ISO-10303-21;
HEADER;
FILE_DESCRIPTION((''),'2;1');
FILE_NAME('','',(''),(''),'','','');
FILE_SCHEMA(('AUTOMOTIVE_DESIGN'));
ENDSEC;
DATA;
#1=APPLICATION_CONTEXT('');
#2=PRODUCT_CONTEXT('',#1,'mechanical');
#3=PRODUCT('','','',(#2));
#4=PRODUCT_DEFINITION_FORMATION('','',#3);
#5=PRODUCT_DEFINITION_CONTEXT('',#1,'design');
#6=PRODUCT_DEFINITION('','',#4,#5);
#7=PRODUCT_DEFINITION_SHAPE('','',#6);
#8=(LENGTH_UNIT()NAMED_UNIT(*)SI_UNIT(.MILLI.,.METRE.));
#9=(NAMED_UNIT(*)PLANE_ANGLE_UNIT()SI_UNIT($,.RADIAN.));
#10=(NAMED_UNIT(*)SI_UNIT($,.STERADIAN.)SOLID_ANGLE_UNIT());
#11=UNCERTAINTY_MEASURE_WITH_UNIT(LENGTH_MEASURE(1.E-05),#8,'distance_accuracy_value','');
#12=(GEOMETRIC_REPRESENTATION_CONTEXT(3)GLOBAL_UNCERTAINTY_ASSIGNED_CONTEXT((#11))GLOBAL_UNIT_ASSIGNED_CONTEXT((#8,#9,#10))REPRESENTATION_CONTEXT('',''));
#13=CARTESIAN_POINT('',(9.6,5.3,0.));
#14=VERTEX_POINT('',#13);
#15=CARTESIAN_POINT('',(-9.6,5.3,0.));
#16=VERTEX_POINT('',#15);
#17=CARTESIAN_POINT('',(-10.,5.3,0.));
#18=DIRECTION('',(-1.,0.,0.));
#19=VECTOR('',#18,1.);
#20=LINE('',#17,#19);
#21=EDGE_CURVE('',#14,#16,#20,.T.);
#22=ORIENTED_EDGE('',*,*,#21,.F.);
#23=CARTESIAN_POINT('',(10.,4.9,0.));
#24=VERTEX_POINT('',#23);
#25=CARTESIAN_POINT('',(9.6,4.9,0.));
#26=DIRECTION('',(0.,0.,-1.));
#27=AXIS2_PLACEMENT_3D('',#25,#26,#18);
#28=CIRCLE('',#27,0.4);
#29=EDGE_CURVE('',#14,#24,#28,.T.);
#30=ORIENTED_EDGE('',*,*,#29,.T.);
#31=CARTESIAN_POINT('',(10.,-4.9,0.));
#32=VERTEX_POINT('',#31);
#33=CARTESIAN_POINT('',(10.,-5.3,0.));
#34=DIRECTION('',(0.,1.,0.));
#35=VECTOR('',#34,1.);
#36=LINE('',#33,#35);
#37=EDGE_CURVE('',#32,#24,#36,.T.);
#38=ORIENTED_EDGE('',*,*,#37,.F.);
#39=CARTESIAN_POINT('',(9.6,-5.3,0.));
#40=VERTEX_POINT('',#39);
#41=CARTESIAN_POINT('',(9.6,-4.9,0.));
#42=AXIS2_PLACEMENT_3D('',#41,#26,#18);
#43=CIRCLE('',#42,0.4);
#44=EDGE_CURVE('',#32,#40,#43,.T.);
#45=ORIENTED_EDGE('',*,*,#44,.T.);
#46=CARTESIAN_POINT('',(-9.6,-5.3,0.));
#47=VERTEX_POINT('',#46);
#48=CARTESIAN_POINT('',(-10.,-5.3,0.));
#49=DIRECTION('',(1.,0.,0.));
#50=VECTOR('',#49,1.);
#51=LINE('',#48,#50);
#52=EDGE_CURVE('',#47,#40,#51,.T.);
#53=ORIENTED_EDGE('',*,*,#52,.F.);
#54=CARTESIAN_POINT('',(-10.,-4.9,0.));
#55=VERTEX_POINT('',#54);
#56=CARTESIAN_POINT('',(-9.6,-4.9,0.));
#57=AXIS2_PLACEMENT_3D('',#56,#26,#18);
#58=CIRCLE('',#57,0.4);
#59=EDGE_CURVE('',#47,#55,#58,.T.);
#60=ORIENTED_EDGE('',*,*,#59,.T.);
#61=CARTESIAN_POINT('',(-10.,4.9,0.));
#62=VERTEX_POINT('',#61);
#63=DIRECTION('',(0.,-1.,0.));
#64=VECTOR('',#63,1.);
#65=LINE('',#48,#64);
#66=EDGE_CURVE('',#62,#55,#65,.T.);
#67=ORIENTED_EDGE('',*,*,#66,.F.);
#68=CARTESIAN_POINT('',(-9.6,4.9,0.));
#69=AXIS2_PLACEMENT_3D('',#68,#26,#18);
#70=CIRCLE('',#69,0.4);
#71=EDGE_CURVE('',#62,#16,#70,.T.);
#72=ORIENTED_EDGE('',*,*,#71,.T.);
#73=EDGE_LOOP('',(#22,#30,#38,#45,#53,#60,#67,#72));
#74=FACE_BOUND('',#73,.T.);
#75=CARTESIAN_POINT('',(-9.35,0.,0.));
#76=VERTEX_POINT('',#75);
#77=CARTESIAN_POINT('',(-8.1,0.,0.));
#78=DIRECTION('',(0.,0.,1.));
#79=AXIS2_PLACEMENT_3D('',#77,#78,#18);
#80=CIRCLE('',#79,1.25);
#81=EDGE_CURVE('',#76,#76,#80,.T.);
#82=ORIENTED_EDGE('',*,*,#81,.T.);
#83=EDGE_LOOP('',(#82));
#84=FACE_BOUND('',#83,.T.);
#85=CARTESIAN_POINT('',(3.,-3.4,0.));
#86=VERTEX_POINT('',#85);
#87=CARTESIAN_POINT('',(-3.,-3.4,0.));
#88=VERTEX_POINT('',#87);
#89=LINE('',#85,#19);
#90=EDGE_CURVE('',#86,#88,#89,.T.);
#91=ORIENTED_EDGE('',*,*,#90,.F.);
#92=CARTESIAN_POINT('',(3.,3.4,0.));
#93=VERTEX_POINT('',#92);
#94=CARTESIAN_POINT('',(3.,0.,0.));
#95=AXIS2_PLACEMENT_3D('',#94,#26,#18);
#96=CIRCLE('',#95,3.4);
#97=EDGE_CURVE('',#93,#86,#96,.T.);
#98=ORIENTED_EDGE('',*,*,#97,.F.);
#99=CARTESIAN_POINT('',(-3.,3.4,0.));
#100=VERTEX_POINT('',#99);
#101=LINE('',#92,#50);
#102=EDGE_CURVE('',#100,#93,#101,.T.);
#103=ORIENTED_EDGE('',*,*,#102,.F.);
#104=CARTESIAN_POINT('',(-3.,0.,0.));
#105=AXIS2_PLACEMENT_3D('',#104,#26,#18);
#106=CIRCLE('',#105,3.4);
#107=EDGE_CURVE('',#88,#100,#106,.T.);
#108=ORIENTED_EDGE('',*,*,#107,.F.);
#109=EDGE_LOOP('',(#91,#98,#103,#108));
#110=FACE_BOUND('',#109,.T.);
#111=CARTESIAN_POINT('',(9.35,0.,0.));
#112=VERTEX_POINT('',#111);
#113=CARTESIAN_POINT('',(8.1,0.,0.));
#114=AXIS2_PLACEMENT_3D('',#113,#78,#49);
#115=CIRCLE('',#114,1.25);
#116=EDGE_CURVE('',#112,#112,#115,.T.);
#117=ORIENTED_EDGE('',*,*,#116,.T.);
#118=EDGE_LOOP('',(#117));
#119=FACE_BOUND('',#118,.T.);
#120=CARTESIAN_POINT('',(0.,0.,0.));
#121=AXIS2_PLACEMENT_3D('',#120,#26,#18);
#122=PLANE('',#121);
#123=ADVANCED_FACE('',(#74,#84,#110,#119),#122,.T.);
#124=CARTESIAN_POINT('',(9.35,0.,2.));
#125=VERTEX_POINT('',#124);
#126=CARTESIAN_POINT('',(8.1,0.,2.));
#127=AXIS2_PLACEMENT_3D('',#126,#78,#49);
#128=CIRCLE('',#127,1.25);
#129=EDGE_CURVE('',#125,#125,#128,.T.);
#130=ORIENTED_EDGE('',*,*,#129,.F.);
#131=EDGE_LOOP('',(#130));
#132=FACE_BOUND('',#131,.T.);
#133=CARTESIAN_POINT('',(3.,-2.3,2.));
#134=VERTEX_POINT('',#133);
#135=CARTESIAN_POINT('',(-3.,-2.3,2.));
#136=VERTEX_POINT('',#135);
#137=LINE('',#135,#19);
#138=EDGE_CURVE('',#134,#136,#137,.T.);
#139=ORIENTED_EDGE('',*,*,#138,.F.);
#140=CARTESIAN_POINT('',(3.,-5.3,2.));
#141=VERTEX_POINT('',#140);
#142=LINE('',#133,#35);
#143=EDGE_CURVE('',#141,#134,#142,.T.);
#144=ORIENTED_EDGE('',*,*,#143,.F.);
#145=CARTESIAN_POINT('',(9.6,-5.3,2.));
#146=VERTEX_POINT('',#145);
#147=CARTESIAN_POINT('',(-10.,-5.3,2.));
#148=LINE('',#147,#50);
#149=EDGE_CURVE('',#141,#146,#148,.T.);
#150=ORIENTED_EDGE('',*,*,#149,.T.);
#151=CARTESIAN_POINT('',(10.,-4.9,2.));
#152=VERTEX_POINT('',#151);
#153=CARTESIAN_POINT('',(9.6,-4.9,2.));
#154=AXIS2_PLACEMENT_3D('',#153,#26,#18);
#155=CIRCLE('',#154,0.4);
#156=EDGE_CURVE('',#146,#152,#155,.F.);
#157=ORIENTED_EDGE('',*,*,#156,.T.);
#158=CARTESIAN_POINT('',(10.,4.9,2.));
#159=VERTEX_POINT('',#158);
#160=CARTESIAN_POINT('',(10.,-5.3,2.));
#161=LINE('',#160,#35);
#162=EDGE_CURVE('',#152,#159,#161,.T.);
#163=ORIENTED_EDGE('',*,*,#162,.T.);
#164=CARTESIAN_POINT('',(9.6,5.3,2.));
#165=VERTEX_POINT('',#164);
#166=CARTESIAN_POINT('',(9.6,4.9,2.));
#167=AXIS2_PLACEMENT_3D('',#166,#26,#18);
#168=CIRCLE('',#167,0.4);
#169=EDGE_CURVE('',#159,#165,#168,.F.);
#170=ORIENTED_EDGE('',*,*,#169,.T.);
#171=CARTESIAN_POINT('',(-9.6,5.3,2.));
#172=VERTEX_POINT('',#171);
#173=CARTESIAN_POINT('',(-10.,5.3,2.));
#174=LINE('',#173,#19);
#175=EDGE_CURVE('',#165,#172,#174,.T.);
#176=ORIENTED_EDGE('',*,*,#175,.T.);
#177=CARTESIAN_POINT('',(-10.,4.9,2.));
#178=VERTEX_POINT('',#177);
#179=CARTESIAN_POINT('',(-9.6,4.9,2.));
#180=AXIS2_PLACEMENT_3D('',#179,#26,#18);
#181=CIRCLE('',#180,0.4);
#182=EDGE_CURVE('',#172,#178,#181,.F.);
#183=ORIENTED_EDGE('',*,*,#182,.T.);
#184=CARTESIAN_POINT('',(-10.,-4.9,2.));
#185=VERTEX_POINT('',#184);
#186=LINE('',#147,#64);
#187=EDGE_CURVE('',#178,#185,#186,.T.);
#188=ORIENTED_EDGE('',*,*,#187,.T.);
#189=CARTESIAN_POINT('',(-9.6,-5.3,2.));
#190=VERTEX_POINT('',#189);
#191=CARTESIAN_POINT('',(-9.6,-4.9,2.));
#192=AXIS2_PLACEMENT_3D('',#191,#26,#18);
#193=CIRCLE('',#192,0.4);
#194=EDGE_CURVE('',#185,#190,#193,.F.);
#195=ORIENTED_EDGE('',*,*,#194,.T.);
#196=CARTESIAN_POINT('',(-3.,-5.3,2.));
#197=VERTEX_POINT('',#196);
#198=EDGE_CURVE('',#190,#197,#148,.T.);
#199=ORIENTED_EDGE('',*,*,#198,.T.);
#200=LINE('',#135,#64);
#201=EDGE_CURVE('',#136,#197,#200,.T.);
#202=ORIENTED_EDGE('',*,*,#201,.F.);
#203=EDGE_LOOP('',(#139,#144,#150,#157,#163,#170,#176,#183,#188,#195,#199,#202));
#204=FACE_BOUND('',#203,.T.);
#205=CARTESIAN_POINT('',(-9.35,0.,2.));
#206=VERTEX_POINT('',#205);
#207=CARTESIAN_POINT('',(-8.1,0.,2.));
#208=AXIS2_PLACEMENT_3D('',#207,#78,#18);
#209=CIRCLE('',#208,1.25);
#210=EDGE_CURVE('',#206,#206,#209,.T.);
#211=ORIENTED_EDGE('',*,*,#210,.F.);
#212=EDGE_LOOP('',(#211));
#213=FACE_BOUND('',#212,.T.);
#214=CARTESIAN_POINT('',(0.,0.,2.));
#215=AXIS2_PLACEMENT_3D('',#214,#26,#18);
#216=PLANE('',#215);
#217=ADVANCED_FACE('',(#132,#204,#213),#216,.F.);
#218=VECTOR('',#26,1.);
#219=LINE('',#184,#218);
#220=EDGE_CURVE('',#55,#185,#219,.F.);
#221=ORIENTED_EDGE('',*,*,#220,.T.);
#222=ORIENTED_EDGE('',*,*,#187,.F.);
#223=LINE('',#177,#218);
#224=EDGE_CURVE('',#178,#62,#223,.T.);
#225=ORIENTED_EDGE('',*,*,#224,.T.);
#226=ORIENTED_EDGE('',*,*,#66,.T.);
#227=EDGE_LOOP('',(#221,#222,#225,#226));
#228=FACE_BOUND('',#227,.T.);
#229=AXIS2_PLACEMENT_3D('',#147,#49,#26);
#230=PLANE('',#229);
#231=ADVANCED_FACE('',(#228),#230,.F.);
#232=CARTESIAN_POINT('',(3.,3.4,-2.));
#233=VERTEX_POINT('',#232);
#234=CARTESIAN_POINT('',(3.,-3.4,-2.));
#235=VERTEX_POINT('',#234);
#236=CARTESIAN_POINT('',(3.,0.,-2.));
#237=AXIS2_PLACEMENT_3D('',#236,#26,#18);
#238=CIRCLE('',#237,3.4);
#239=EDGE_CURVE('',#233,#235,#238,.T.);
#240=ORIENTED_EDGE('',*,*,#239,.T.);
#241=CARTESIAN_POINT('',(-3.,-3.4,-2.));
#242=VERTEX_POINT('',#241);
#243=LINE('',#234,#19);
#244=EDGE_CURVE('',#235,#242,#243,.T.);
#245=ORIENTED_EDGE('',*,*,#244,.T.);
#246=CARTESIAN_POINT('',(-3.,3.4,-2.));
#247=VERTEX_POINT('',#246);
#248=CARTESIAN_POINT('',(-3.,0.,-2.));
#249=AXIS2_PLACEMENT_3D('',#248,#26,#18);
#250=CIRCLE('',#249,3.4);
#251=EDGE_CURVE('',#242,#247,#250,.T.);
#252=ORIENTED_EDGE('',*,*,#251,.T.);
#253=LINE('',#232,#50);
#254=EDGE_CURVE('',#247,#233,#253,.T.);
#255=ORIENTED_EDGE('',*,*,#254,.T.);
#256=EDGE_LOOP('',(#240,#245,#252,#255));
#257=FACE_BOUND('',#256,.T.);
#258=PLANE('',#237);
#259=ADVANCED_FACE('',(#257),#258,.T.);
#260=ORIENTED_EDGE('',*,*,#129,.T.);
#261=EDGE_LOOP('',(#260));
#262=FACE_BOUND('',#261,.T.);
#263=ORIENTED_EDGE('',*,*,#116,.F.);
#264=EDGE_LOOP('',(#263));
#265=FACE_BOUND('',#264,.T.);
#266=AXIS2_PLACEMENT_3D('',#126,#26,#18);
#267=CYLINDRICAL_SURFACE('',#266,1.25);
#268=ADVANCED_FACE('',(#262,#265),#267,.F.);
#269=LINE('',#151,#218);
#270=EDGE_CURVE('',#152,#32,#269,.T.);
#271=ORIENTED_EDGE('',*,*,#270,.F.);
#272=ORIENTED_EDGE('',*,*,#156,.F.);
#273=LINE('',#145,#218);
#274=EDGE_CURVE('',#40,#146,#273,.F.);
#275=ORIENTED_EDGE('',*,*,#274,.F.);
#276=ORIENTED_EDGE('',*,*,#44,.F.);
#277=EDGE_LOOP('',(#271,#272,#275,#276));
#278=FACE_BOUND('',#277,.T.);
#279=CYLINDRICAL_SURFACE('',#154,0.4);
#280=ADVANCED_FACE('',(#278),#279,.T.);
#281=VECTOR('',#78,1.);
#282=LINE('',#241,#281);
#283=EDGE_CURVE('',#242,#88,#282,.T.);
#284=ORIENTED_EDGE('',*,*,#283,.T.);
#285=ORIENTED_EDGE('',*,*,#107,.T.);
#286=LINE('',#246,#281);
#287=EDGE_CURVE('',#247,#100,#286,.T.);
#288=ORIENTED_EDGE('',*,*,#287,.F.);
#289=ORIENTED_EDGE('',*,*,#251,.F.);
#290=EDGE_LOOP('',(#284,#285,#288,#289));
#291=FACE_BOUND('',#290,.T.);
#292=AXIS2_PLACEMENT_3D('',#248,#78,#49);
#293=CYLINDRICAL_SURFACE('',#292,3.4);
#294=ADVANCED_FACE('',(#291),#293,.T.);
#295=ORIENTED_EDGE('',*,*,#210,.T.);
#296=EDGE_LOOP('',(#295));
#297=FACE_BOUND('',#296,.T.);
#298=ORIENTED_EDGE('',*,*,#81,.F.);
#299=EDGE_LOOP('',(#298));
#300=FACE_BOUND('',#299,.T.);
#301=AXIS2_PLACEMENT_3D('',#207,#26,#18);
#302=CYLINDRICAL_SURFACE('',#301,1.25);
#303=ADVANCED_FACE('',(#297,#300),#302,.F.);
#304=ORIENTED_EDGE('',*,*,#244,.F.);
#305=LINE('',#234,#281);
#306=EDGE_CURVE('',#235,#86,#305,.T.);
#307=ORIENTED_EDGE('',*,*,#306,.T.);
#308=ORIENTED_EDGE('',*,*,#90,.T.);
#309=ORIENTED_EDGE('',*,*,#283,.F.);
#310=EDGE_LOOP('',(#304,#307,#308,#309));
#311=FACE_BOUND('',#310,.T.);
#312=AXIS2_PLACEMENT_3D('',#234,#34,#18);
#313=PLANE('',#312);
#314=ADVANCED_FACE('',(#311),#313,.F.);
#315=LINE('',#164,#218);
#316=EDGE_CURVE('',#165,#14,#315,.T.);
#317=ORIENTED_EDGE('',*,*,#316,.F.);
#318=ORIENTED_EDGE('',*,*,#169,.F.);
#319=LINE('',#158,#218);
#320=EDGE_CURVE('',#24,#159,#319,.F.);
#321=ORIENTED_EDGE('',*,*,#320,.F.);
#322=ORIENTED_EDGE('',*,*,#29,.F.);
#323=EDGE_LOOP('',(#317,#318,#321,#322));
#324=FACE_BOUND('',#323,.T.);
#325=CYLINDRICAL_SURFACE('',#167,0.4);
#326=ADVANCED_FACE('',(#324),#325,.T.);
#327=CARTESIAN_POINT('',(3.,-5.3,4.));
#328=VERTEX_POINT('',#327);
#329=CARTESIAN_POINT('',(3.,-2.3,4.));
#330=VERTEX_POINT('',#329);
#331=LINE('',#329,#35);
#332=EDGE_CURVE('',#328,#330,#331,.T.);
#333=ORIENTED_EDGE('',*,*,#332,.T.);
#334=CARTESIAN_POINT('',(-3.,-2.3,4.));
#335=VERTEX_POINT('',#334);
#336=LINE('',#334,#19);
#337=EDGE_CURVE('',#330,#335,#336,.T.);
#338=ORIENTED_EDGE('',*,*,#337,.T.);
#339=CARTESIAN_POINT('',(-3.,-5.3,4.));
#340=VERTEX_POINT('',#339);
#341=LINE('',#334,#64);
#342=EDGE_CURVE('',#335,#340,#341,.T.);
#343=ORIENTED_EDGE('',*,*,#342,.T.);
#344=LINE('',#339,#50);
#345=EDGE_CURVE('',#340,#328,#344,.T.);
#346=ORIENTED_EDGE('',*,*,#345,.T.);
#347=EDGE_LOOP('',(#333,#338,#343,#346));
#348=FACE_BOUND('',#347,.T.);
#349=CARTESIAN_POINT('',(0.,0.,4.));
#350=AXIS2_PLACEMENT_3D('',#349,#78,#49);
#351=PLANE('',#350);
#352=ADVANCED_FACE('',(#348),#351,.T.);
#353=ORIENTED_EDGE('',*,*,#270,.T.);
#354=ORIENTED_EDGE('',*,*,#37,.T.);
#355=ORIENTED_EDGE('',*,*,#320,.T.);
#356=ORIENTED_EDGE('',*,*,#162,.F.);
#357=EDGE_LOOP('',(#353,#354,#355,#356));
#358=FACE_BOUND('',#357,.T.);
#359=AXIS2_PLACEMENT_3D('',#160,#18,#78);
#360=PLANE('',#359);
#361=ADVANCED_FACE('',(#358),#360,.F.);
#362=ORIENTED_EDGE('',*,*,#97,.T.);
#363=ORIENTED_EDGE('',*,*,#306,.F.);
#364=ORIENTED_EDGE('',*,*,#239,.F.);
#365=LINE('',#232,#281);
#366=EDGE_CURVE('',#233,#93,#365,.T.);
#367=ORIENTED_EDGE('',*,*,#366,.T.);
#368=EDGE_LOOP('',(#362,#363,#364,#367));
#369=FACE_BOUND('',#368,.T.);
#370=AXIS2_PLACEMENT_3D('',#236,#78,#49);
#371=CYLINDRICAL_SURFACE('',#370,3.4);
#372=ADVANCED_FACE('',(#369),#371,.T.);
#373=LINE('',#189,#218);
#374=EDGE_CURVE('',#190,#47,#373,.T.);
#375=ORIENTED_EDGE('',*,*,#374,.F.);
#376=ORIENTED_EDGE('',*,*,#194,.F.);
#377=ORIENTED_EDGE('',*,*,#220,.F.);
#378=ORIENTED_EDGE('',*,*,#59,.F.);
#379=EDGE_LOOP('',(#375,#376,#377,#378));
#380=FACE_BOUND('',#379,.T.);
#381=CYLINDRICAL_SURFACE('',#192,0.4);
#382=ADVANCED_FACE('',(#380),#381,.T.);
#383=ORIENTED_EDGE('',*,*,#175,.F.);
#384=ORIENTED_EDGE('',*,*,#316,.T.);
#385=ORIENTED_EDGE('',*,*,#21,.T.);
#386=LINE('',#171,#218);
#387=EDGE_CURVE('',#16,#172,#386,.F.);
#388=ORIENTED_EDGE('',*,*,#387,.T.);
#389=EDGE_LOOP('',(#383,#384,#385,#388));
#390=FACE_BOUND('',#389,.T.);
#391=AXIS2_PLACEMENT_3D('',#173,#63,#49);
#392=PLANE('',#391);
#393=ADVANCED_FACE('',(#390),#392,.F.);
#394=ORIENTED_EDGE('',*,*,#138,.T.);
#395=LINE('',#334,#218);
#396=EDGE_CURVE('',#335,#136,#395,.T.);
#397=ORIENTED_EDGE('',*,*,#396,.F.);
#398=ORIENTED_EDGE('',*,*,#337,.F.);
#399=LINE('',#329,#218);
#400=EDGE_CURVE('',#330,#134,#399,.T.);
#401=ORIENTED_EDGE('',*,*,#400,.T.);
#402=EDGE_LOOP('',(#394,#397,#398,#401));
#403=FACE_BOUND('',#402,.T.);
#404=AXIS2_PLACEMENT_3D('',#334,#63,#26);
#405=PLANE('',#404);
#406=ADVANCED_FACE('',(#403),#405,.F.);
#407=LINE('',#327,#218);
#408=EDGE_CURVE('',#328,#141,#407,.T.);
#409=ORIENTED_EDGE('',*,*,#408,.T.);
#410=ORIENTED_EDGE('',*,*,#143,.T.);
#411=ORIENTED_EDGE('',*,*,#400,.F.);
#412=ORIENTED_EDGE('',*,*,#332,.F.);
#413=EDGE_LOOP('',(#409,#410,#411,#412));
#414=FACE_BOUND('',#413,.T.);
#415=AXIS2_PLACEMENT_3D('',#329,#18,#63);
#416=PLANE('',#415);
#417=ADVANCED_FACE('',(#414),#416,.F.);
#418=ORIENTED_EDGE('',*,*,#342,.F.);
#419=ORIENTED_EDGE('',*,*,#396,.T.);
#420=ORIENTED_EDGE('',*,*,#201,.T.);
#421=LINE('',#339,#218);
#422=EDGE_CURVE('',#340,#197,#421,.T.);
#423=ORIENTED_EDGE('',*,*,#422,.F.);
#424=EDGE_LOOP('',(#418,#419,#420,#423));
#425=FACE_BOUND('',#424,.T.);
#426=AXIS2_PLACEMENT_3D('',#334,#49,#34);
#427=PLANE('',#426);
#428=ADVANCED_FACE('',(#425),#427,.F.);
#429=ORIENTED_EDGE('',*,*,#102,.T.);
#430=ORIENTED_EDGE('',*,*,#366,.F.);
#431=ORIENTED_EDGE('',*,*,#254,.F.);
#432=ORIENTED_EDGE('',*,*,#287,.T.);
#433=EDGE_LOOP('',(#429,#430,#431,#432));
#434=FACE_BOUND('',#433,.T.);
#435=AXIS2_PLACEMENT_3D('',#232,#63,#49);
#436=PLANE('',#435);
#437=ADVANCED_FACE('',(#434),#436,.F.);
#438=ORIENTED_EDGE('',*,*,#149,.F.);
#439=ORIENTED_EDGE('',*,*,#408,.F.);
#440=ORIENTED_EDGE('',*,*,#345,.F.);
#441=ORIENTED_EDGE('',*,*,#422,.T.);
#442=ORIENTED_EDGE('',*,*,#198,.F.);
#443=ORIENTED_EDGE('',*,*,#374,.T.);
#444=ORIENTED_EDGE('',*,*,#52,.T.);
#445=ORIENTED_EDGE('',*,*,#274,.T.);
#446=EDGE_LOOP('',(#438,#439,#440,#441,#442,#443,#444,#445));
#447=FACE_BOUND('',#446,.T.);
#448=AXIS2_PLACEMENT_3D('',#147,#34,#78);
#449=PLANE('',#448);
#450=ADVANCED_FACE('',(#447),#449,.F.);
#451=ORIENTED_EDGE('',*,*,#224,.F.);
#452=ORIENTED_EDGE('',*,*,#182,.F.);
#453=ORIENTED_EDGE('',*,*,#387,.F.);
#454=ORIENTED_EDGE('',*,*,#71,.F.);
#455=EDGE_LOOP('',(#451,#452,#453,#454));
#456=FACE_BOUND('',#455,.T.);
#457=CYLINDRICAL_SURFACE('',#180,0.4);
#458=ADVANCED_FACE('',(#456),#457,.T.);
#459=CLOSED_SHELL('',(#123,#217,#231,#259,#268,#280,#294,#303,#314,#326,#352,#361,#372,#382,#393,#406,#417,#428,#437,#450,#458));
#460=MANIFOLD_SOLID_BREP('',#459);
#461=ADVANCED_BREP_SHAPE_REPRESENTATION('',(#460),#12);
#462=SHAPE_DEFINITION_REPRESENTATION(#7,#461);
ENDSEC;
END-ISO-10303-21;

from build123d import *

# Parameters (mm, degrees)
SKETCH_1_W      = 20
SKETCH_1_H      = 10.6
SKETCH_1_R      = 1.25
EXTRUDE_1_DEPTH = 2
EXTRUDE_2_DEPTH = 2
SKETCH_3_W      = 6
SKETCH_3_H      = 3
EXTRUDE_3_DEPTH = 2
FILLET_1_R      = 0.4


with BuildPart() as part:
    # 草图1 → 凸台-拉伸1 (new body)
    with BuildSketch(Plane.XY):
        Rectangle(SKETCH_1_W, SKETCH_1_H)
        with Locations((8.1, 0)):
            Circle(SKETCH_1_R, mode=Mode.SUBTRACT)
        with Locations(Location((-8.1, 0, 0), (0, 0, 180))):
            Circle(SKETCH_1_R, mode=Mode.SUBTRACT)
    extrude(amount=EXTRUDE_1_DEPTH)

    # 草图2 → 凸台-拉伸2 (add)
    with BuildSketch(Plane(origin=(0, 0, 0), x_dir=(-1, 0, 0), z_dir=(0, 0, -1))):
        with BuildLine():
            Line((-3, 3.4), (3, 3.4))
            ThreePointArc((3, 3.4), (6.4, 0), (3, -3.4))
            Line((3, -3.4), (-3, -3.4))
            ThreePointArc((-3, -3.4), (-6.4, 0), (-3, 3.4))
        make_face()
    extrude(amount=EXTRUDE_2_DEPTH)

    # 草图3 → 凸台-拉伸3 (add)
    with BuildSketch(Plane.XY.offset(2)):
        with Locations((0, -3.8)):
            Rectangle(SKETCH_3_W, SKETCH_3_H)
    extrude(amount=EXTRUDE_3_DEPTH)

    # 圆角1
    fillet_1_edges = [part.edges().sort_by_distance(p)[0] for p in [
        (10, -5.3, 1),
        (-10, -5.3, 1),
        (-10, 5.3, 1),
        (10, 5.3, 1),
    ]]
    fillet(fillet_1_edges, radius=FILLET_1_R)


solid = part.part
